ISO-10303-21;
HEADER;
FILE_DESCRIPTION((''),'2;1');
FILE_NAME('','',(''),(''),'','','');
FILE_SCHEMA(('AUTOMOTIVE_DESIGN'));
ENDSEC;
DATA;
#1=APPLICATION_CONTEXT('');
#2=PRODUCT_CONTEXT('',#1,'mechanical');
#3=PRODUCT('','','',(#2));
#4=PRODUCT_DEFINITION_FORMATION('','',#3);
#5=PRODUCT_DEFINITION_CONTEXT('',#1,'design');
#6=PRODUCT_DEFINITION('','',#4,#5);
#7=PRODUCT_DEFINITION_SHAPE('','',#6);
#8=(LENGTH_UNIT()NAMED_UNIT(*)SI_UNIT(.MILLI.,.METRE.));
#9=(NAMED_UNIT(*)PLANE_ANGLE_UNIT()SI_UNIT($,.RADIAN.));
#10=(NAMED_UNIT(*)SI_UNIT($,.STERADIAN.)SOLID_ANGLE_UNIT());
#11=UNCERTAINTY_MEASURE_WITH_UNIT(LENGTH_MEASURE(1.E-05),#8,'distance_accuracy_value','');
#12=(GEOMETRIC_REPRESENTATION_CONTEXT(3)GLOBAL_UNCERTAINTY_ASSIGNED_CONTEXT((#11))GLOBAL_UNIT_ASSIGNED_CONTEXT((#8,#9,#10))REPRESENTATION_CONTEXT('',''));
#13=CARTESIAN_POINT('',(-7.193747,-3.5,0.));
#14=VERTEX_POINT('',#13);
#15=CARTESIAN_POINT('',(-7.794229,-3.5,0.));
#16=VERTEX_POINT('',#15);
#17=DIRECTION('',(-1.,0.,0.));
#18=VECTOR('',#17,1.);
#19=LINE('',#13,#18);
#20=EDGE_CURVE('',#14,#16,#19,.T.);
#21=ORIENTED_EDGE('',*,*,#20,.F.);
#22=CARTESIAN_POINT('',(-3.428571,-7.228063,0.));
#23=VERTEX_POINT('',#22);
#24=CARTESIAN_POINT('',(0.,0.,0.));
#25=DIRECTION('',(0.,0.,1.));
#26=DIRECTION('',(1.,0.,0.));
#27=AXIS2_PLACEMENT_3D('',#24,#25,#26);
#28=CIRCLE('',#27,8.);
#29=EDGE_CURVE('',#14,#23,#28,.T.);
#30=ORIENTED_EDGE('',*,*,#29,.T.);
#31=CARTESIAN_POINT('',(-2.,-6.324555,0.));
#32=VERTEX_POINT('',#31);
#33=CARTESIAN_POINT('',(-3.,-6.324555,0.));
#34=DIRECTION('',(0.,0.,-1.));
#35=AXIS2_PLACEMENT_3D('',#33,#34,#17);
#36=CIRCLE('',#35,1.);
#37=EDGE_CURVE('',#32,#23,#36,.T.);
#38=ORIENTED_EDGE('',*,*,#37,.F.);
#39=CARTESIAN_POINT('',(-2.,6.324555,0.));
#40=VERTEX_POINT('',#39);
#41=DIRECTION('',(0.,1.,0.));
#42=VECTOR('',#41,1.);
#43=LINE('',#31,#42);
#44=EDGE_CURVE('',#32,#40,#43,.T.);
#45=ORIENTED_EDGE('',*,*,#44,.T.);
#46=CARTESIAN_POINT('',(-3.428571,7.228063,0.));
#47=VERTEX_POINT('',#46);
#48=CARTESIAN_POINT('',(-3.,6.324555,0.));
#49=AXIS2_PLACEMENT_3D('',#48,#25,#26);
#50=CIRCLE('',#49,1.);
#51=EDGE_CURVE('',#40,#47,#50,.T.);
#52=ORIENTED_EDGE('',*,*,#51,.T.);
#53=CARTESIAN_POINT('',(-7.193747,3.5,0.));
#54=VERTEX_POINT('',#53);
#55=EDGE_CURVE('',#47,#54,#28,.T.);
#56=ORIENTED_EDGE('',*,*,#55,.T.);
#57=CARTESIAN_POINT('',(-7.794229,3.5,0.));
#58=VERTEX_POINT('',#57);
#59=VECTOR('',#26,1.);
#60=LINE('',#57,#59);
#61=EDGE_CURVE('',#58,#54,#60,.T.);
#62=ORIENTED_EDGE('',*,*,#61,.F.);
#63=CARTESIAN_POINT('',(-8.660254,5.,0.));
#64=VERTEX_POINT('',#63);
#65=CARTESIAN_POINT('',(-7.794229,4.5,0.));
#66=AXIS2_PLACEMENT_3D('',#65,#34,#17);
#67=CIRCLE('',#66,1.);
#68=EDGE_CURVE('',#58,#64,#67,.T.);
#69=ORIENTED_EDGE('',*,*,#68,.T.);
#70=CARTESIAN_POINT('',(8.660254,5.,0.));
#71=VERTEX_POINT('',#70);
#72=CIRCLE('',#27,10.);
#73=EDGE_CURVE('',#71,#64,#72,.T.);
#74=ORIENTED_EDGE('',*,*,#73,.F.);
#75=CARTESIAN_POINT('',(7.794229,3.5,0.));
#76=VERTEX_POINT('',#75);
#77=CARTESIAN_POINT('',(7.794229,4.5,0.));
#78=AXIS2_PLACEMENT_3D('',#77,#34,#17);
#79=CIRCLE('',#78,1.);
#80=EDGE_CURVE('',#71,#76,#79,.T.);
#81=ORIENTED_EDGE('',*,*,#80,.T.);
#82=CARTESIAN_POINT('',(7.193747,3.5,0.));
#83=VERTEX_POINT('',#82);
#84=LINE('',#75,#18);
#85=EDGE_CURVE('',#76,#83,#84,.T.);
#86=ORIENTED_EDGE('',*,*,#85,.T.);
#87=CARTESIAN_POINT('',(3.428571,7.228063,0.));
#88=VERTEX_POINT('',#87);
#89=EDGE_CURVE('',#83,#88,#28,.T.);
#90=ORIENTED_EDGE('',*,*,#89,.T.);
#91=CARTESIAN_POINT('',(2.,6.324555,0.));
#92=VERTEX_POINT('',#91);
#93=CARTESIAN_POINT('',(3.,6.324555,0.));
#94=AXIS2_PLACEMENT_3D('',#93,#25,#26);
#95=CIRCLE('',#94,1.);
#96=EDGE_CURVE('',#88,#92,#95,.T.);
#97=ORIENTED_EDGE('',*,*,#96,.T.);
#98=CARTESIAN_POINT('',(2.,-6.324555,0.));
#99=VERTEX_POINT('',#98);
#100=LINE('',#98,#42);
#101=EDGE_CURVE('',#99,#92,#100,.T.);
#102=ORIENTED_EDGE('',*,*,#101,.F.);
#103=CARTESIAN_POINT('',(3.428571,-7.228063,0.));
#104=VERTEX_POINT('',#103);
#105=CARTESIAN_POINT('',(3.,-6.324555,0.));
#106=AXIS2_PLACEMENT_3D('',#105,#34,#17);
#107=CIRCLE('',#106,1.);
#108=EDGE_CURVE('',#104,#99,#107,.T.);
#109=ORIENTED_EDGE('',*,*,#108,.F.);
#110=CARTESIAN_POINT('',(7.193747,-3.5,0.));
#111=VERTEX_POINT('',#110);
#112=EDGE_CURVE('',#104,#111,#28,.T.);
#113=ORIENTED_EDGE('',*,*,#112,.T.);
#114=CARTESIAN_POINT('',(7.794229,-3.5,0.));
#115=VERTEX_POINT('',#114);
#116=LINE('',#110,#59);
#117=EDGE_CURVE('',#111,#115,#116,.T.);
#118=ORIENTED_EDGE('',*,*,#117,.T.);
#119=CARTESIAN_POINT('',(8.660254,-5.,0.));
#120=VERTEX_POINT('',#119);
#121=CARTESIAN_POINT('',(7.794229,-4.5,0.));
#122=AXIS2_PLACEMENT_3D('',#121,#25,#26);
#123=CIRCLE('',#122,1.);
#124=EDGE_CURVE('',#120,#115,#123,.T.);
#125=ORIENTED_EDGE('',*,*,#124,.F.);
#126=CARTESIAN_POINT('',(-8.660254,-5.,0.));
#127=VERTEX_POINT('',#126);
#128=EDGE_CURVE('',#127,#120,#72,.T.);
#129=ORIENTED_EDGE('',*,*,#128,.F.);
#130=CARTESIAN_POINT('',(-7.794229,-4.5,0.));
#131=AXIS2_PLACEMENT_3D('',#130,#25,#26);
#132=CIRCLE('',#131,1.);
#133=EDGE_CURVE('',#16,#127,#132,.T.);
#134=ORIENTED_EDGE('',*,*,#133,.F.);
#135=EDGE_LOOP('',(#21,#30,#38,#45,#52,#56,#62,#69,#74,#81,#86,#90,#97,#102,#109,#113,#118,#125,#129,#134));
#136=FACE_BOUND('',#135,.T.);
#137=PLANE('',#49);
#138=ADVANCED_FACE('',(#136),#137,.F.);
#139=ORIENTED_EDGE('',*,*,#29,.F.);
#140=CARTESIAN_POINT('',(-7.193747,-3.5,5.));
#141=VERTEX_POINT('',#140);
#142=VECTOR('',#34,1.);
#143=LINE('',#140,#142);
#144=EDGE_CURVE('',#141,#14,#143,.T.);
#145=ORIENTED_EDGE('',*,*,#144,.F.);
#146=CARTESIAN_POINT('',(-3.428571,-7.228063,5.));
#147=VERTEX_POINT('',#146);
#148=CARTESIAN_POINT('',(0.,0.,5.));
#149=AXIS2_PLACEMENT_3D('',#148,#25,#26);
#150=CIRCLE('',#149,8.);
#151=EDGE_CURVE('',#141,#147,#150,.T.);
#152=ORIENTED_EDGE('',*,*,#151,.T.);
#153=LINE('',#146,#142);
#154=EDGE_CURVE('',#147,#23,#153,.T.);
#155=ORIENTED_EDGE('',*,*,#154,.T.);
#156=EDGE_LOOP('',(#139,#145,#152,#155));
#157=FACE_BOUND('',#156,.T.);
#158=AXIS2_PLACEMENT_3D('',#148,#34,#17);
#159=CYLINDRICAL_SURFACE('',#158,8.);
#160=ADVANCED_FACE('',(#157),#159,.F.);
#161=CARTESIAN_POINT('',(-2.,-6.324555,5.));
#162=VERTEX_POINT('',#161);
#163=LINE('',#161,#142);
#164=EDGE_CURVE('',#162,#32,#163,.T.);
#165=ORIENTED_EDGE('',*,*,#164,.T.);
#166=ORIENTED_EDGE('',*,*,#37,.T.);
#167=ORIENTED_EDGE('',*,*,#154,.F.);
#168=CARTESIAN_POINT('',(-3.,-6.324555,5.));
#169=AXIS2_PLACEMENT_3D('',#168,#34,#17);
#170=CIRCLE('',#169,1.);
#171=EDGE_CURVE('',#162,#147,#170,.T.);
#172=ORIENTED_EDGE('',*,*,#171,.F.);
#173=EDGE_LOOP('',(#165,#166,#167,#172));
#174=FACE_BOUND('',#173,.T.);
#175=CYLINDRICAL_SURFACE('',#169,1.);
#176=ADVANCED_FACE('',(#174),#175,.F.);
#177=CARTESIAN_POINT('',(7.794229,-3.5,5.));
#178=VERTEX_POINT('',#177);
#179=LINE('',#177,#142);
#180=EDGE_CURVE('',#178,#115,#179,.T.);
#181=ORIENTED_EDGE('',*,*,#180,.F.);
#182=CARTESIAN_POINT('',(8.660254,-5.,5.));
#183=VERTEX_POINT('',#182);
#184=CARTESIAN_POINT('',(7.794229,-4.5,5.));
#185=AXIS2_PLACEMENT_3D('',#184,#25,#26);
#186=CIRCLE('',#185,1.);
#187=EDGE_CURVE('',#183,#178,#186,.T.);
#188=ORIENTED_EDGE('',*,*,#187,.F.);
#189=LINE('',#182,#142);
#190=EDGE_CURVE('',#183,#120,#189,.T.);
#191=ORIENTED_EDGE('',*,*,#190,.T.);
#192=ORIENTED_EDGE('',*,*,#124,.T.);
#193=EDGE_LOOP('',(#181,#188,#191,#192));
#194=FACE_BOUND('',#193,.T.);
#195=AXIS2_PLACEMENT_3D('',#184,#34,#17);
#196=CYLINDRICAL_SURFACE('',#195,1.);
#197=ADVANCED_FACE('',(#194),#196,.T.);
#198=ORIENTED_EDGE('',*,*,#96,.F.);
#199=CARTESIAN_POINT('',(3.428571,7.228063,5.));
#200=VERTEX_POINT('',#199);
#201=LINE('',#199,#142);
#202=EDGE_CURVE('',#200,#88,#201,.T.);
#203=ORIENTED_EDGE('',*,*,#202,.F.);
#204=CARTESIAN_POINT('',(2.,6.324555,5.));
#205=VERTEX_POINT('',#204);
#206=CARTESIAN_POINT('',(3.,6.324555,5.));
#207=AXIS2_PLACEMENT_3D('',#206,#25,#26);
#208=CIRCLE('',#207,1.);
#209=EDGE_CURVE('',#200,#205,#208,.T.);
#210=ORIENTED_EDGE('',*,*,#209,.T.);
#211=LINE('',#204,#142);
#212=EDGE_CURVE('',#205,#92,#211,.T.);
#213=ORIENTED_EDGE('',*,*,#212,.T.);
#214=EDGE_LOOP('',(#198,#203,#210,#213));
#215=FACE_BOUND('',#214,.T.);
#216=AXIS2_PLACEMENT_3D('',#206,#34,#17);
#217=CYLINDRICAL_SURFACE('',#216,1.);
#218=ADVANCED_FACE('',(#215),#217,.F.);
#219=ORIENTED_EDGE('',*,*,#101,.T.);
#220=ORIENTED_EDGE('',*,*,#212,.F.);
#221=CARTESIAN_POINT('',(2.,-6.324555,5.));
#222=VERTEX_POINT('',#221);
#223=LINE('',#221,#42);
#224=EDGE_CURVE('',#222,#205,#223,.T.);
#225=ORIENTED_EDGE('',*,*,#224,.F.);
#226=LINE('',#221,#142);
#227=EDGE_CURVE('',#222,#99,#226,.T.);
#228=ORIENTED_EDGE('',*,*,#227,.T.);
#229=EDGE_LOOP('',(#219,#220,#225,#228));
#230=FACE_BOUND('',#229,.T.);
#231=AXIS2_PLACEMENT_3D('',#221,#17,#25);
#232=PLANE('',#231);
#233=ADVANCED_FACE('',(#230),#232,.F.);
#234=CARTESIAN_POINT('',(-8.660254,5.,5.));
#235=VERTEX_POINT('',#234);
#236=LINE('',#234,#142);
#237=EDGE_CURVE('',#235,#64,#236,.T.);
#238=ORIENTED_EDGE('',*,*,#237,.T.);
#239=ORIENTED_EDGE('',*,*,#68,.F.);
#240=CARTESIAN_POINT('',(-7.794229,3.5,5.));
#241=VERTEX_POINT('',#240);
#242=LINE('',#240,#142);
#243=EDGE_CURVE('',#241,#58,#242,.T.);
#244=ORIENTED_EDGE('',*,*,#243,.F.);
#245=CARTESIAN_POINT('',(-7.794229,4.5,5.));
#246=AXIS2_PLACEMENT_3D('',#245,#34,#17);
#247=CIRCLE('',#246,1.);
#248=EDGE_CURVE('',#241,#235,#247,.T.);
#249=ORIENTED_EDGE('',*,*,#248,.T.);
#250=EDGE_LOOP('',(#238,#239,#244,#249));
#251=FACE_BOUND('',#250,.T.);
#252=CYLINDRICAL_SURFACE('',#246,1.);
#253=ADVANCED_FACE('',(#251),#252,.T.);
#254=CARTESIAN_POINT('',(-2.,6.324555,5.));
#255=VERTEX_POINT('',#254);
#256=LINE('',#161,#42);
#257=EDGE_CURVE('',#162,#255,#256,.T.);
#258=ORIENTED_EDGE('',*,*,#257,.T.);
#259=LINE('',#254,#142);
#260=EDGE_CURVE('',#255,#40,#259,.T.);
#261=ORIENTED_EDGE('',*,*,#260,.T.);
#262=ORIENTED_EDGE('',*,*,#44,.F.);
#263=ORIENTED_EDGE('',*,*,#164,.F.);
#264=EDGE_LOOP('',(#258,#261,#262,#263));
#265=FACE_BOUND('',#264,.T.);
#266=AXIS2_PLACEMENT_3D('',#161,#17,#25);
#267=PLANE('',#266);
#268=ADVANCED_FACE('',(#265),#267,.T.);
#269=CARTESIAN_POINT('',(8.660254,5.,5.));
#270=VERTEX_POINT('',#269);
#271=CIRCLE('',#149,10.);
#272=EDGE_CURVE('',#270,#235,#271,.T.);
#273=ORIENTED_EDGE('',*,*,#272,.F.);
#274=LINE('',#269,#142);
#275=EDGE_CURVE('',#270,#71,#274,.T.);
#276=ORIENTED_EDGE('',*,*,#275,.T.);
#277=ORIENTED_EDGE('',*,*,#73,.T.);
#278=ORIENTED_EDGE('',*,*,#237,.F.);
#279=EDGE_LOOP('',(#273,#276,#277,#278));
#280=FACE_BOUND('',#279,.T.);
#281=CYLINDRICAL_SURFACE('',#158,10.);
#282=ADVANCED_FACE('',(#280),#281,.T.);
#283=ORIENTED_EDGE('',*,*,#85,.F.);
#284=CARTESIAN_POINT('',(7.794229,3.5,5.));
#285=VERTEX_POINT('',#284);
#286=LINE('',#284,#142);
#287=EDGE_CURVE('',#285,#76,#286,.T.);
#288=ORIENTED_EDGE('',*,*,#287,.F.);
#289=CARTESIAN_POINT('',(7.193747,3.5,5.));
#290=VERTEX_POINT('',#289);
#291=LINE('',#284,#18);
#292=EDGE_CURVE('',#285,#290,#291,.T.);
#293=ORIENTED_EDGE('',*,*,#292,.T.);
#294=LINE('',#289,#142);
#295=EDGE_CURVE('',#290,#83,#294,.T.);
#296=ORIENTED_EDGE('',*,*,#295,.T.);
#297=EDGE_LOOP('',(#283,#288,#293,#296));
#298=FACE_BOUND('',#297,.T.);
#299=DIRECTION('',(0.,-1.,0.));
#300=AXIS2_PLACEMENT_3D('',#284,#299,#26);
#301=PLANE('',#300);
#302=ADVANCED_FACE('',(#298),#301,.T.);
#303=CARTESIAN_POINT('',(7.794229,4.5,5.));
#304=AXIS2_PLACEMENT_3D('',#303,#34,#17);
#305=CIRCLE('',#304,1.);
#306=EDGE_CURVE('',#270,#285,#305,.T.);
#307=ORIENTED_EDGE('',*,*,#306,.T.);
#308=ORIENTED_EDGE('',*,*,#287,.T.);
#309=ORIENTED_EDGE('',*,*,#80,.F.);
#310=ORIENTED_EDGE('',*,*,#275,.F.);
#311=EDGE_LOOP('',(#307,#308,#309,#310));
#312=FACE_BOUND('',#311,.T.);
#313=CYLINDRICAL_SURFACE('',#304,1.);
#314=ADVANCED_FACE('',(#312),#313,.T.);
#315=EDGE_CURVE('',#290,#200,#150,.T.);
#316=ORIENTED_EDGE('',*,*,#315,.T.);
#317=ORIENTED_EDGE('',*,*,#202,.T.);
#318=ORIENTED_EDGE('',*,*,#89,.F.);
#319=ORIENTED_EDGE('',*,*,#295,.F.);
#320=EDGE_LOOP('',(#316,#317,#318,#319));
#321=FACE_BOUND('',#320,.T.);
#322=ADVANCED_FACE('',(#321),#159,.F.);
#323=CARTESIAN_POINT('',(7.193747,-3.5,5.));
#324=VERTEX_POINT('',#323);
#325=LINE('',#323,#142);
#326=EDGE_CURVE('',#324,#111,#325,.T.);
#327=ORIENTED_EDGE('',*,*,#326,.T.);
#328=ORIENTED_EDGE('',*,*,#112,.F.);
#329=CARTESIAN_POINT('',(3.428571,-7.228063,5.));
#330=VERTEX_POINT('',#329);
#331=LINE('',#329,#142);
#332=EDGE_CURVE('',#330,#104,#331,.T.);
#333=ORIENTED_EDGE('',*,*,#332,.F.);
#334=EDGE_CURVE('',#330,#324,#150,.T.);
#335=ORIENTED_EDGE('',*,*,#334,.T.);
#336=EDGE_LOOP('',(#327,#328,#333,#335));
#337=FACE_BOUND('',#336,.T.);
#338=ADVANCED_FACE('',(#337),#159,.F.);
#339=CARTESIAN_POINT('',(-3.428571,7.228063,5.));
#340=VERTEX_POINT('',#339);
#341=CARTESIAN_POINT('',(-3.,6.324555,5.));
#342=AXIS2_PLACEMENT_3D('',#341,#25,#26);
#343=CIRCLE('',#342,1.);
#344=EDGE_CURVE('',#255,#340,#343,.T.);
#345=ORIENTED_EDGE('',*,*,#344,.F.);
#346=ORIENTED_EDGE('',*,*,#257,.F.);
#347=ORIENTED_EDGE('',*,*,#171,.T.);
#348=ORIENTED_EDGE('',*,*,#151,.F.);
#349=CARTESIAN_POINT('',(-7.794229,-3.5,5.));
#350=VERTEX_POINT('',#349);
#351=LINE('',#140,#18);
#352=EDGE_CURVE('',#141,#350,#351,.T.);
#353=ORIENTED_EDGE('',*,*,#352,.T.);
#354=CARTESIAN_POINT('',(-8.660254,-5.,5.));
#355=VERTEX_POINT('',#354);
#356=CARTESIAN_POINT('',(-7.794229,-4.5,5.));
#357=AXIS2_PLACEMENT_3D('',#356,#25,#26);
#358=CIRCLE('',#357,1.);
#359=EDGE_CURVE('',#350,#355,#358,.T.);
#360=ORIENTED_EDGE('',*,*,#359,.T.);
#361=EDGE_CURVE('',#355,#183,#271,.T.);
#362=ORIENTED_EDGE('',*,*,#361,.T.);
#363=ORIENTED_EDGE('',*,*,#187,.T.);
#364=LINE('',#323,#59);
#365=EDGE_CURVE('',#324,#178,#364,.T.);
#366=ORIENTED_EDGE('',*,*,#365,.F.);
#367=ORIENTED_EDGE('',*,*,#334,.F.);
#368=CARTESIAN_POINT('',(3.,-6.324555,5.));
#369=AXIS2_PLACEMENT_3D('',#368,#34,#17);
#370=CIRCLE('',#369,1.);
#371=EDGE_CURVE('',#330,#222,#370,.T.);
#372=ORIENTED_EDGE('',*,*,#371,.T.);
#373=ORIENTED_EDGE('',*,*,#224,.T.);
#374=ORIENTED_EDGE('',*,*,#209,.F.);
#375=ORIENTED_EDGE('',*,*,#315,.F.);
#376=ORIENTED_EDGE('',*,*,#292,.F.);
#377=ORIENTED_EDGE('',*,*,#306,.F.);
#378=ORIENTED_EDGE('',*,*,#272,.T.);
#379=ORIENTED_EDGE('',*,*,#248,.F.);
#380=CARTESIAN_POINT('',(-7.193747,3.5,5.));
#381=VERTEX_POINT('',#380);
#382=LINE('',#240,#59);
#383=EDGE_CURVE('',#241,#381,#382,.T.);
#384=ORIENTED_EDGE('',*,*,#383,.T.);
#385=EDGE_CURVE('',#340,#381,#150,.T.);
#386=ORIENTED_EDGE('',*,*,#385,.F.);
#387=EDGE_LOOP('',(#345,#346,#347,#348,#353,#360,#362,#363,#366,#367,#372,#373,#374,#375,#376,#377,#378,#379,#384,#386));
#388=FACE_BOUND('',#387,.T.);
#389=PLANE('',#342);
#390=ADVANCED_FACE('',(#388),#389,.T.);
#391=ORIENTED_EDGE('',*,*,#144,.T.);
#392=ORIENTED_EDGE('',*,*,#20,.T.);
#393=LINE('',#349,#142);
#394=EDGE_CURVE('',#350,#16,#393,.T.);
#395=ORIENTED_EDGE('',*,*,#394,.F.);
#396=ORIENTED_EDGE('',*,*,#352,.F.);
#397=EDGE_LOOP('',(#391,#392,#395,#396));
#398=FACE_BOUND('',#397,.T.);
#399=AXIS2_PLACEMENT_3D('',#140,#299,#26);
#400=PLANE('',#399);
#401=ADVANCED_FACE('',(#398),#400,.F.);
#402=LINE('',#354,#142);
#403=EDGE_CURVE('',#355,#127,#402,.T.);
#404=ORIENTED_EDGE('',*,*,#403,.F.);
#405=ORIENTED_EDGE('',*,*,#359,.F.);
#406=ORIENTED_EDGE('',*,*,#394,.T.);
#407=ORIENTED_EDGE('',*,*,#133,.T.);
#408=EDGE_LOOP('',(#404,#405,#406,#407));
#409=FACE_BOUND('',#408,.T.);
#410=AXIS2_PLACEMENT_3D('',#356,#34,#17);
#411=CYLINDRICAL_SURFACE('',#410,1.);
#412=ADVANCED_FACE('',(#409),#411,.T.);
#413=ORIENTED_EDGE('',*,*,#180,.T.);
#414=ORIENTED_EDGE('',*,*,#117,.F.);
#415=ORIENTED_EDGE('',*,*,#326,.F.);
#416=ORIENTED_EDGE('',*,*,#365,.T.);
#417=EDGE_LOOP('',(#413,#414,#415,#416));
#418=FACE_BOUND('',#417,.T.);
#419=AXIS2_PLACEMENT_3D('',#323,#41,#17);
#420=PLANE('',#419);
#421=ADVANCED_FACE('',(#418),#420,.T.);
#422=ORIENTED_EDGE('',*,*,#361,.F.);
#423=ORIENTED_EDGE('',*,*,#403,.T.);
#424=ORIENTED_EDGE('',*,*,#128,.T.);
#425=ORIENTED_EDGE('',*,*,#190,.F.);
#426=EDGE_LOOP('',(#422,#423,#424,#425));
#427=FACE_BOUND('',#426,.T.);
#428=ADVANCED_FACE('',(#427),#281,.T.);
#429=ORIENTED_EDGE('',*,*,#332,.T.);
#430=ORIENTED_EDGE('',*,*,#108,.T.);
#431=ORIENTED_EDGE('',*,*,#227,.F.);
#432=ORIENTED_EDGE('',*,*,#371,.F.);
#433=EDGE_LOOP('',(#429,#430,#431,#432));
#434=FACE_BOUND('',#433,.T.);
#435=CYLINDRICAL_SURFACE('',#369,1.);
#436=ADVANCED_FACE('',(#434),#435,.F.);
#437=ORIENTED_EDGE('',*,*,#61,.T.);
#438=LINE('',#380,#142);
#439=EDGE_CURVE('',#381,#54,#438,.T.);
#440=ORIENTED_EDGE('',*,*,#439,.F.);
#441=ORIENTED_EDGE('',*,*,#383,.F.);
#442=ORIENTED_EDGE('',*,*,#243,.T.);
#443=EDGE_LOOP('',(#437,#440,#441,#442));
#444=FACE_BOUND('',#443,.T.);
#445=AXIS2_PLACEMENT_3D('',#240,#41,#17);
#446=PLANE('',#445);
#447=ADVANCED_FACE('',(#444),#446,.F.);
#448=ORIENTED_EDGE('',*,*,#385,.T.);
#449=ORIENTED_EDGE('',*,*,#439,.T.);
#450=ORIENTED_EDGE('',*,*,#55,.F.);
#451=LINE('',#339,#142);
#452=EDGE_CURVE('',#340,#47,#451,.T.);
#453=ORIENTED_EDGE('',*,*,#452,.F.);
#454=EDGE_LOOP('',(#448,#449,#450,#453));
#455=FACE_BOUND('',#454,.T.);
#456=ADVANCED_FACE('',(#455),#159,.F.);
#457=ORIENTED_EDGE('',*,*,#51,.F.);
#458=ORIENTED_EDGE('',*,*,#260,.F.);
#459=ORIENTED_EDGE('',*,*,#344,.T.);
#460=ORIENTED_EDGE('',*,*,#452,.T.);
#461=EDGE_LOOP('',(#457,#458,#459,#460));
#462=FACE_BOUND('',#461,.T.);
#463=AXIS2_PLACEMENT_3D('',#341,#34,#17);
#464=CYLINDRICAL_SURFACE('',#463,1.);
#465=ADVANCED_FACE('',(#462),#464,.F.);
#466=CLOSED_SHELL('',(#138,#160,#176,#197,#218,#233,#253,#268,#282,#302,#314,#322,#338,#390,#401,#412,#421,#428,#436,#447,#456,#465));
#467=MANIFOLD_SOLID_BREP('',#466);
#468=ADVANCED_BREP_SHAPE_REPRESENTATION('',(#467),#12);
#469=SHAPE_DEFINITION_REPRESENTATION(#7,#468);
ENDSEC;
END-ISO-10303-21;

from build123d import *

# Parameters (mm, degrees)
BOSS_EXTRUDE1_DEPTH = 5


with BuildPart() as part:
    # Sketch1 → Boss-Extrude1 (new body)
    with BuildSketch(Plane.XY):
        with BuildLine():
            Line((-2, -6.32455532), (-2, 6.32455532))
            ThreePointArc((-2, 6.32455532), (-2.465477516, 7.169709575), (-3.428571429, 7.228063223))
            ThreePointArc((-3.428571429, 7.228063223), (-5.628767855, 5.684801882), (-7.193747285, 3.5))
            Line((-7.193747285, 3.5), (-7.794228634, 3.5))
            ThreePointArc((-7.794228634, 3.5), (-8.660254038, 4), (-8.660254038, 5))
            ThreePointArc((-8.660254038, 5), (0, 10), (8.660254038, 5))
            ThreePointArc((8.660254038, 5), (8.660254038, 4), (7.794228634, 3.5))
            Line((7.794228634, 3.5), (7.193747285, 3.5))
            ThreePointArc((7.193747285, 3.5), (5.628767855, 5.684801882), (3.428571429, 7.228063223))
            ThreePointArc((3.428571429, 7.228063223), (2.465477516, 7.169709575), (2, 6.32455532))
            Line((2, 6.32455532), (2, -6.32455532))
            ThreePointArc((2, -6.32455532), (2.465477516, -7.169709575), (3.428571429, -7.228063223))
            ThreePointArc((3.428571429, -7.228063223), (5.628767855, -5.684801882), (7.193747285, -3.5))
            Line((7.193747285, -3.5), (7.794228634, -3.5))
            ThreePointArc((7.794228634, -3.5), (8.660254038, -4), (8.660254038, -5))
            ThreePointArc((8.660254038, -5), (0, -10), (-8.660254038, -5))
            ThreePointArc((-8.660254038, -5), (-8.660254038, -4), (-7.794228634, -3.5))
            Line((-7.794228634, -3.5), (-7.193747285, -3.5))
            ThreePointArc((-7.193747285, -3.5), (-5.628767855, -5.684801882), (-3.428571429, -7.228063223))
            ThreePointArc((-3.428571429, -7.228063223), (-2.465477516, -7.169709575), (-2, -6.32455532))
        make_face()
    extrude(amount=BOSS_EXTRUDE1_DEPTH)


solid = part.part
